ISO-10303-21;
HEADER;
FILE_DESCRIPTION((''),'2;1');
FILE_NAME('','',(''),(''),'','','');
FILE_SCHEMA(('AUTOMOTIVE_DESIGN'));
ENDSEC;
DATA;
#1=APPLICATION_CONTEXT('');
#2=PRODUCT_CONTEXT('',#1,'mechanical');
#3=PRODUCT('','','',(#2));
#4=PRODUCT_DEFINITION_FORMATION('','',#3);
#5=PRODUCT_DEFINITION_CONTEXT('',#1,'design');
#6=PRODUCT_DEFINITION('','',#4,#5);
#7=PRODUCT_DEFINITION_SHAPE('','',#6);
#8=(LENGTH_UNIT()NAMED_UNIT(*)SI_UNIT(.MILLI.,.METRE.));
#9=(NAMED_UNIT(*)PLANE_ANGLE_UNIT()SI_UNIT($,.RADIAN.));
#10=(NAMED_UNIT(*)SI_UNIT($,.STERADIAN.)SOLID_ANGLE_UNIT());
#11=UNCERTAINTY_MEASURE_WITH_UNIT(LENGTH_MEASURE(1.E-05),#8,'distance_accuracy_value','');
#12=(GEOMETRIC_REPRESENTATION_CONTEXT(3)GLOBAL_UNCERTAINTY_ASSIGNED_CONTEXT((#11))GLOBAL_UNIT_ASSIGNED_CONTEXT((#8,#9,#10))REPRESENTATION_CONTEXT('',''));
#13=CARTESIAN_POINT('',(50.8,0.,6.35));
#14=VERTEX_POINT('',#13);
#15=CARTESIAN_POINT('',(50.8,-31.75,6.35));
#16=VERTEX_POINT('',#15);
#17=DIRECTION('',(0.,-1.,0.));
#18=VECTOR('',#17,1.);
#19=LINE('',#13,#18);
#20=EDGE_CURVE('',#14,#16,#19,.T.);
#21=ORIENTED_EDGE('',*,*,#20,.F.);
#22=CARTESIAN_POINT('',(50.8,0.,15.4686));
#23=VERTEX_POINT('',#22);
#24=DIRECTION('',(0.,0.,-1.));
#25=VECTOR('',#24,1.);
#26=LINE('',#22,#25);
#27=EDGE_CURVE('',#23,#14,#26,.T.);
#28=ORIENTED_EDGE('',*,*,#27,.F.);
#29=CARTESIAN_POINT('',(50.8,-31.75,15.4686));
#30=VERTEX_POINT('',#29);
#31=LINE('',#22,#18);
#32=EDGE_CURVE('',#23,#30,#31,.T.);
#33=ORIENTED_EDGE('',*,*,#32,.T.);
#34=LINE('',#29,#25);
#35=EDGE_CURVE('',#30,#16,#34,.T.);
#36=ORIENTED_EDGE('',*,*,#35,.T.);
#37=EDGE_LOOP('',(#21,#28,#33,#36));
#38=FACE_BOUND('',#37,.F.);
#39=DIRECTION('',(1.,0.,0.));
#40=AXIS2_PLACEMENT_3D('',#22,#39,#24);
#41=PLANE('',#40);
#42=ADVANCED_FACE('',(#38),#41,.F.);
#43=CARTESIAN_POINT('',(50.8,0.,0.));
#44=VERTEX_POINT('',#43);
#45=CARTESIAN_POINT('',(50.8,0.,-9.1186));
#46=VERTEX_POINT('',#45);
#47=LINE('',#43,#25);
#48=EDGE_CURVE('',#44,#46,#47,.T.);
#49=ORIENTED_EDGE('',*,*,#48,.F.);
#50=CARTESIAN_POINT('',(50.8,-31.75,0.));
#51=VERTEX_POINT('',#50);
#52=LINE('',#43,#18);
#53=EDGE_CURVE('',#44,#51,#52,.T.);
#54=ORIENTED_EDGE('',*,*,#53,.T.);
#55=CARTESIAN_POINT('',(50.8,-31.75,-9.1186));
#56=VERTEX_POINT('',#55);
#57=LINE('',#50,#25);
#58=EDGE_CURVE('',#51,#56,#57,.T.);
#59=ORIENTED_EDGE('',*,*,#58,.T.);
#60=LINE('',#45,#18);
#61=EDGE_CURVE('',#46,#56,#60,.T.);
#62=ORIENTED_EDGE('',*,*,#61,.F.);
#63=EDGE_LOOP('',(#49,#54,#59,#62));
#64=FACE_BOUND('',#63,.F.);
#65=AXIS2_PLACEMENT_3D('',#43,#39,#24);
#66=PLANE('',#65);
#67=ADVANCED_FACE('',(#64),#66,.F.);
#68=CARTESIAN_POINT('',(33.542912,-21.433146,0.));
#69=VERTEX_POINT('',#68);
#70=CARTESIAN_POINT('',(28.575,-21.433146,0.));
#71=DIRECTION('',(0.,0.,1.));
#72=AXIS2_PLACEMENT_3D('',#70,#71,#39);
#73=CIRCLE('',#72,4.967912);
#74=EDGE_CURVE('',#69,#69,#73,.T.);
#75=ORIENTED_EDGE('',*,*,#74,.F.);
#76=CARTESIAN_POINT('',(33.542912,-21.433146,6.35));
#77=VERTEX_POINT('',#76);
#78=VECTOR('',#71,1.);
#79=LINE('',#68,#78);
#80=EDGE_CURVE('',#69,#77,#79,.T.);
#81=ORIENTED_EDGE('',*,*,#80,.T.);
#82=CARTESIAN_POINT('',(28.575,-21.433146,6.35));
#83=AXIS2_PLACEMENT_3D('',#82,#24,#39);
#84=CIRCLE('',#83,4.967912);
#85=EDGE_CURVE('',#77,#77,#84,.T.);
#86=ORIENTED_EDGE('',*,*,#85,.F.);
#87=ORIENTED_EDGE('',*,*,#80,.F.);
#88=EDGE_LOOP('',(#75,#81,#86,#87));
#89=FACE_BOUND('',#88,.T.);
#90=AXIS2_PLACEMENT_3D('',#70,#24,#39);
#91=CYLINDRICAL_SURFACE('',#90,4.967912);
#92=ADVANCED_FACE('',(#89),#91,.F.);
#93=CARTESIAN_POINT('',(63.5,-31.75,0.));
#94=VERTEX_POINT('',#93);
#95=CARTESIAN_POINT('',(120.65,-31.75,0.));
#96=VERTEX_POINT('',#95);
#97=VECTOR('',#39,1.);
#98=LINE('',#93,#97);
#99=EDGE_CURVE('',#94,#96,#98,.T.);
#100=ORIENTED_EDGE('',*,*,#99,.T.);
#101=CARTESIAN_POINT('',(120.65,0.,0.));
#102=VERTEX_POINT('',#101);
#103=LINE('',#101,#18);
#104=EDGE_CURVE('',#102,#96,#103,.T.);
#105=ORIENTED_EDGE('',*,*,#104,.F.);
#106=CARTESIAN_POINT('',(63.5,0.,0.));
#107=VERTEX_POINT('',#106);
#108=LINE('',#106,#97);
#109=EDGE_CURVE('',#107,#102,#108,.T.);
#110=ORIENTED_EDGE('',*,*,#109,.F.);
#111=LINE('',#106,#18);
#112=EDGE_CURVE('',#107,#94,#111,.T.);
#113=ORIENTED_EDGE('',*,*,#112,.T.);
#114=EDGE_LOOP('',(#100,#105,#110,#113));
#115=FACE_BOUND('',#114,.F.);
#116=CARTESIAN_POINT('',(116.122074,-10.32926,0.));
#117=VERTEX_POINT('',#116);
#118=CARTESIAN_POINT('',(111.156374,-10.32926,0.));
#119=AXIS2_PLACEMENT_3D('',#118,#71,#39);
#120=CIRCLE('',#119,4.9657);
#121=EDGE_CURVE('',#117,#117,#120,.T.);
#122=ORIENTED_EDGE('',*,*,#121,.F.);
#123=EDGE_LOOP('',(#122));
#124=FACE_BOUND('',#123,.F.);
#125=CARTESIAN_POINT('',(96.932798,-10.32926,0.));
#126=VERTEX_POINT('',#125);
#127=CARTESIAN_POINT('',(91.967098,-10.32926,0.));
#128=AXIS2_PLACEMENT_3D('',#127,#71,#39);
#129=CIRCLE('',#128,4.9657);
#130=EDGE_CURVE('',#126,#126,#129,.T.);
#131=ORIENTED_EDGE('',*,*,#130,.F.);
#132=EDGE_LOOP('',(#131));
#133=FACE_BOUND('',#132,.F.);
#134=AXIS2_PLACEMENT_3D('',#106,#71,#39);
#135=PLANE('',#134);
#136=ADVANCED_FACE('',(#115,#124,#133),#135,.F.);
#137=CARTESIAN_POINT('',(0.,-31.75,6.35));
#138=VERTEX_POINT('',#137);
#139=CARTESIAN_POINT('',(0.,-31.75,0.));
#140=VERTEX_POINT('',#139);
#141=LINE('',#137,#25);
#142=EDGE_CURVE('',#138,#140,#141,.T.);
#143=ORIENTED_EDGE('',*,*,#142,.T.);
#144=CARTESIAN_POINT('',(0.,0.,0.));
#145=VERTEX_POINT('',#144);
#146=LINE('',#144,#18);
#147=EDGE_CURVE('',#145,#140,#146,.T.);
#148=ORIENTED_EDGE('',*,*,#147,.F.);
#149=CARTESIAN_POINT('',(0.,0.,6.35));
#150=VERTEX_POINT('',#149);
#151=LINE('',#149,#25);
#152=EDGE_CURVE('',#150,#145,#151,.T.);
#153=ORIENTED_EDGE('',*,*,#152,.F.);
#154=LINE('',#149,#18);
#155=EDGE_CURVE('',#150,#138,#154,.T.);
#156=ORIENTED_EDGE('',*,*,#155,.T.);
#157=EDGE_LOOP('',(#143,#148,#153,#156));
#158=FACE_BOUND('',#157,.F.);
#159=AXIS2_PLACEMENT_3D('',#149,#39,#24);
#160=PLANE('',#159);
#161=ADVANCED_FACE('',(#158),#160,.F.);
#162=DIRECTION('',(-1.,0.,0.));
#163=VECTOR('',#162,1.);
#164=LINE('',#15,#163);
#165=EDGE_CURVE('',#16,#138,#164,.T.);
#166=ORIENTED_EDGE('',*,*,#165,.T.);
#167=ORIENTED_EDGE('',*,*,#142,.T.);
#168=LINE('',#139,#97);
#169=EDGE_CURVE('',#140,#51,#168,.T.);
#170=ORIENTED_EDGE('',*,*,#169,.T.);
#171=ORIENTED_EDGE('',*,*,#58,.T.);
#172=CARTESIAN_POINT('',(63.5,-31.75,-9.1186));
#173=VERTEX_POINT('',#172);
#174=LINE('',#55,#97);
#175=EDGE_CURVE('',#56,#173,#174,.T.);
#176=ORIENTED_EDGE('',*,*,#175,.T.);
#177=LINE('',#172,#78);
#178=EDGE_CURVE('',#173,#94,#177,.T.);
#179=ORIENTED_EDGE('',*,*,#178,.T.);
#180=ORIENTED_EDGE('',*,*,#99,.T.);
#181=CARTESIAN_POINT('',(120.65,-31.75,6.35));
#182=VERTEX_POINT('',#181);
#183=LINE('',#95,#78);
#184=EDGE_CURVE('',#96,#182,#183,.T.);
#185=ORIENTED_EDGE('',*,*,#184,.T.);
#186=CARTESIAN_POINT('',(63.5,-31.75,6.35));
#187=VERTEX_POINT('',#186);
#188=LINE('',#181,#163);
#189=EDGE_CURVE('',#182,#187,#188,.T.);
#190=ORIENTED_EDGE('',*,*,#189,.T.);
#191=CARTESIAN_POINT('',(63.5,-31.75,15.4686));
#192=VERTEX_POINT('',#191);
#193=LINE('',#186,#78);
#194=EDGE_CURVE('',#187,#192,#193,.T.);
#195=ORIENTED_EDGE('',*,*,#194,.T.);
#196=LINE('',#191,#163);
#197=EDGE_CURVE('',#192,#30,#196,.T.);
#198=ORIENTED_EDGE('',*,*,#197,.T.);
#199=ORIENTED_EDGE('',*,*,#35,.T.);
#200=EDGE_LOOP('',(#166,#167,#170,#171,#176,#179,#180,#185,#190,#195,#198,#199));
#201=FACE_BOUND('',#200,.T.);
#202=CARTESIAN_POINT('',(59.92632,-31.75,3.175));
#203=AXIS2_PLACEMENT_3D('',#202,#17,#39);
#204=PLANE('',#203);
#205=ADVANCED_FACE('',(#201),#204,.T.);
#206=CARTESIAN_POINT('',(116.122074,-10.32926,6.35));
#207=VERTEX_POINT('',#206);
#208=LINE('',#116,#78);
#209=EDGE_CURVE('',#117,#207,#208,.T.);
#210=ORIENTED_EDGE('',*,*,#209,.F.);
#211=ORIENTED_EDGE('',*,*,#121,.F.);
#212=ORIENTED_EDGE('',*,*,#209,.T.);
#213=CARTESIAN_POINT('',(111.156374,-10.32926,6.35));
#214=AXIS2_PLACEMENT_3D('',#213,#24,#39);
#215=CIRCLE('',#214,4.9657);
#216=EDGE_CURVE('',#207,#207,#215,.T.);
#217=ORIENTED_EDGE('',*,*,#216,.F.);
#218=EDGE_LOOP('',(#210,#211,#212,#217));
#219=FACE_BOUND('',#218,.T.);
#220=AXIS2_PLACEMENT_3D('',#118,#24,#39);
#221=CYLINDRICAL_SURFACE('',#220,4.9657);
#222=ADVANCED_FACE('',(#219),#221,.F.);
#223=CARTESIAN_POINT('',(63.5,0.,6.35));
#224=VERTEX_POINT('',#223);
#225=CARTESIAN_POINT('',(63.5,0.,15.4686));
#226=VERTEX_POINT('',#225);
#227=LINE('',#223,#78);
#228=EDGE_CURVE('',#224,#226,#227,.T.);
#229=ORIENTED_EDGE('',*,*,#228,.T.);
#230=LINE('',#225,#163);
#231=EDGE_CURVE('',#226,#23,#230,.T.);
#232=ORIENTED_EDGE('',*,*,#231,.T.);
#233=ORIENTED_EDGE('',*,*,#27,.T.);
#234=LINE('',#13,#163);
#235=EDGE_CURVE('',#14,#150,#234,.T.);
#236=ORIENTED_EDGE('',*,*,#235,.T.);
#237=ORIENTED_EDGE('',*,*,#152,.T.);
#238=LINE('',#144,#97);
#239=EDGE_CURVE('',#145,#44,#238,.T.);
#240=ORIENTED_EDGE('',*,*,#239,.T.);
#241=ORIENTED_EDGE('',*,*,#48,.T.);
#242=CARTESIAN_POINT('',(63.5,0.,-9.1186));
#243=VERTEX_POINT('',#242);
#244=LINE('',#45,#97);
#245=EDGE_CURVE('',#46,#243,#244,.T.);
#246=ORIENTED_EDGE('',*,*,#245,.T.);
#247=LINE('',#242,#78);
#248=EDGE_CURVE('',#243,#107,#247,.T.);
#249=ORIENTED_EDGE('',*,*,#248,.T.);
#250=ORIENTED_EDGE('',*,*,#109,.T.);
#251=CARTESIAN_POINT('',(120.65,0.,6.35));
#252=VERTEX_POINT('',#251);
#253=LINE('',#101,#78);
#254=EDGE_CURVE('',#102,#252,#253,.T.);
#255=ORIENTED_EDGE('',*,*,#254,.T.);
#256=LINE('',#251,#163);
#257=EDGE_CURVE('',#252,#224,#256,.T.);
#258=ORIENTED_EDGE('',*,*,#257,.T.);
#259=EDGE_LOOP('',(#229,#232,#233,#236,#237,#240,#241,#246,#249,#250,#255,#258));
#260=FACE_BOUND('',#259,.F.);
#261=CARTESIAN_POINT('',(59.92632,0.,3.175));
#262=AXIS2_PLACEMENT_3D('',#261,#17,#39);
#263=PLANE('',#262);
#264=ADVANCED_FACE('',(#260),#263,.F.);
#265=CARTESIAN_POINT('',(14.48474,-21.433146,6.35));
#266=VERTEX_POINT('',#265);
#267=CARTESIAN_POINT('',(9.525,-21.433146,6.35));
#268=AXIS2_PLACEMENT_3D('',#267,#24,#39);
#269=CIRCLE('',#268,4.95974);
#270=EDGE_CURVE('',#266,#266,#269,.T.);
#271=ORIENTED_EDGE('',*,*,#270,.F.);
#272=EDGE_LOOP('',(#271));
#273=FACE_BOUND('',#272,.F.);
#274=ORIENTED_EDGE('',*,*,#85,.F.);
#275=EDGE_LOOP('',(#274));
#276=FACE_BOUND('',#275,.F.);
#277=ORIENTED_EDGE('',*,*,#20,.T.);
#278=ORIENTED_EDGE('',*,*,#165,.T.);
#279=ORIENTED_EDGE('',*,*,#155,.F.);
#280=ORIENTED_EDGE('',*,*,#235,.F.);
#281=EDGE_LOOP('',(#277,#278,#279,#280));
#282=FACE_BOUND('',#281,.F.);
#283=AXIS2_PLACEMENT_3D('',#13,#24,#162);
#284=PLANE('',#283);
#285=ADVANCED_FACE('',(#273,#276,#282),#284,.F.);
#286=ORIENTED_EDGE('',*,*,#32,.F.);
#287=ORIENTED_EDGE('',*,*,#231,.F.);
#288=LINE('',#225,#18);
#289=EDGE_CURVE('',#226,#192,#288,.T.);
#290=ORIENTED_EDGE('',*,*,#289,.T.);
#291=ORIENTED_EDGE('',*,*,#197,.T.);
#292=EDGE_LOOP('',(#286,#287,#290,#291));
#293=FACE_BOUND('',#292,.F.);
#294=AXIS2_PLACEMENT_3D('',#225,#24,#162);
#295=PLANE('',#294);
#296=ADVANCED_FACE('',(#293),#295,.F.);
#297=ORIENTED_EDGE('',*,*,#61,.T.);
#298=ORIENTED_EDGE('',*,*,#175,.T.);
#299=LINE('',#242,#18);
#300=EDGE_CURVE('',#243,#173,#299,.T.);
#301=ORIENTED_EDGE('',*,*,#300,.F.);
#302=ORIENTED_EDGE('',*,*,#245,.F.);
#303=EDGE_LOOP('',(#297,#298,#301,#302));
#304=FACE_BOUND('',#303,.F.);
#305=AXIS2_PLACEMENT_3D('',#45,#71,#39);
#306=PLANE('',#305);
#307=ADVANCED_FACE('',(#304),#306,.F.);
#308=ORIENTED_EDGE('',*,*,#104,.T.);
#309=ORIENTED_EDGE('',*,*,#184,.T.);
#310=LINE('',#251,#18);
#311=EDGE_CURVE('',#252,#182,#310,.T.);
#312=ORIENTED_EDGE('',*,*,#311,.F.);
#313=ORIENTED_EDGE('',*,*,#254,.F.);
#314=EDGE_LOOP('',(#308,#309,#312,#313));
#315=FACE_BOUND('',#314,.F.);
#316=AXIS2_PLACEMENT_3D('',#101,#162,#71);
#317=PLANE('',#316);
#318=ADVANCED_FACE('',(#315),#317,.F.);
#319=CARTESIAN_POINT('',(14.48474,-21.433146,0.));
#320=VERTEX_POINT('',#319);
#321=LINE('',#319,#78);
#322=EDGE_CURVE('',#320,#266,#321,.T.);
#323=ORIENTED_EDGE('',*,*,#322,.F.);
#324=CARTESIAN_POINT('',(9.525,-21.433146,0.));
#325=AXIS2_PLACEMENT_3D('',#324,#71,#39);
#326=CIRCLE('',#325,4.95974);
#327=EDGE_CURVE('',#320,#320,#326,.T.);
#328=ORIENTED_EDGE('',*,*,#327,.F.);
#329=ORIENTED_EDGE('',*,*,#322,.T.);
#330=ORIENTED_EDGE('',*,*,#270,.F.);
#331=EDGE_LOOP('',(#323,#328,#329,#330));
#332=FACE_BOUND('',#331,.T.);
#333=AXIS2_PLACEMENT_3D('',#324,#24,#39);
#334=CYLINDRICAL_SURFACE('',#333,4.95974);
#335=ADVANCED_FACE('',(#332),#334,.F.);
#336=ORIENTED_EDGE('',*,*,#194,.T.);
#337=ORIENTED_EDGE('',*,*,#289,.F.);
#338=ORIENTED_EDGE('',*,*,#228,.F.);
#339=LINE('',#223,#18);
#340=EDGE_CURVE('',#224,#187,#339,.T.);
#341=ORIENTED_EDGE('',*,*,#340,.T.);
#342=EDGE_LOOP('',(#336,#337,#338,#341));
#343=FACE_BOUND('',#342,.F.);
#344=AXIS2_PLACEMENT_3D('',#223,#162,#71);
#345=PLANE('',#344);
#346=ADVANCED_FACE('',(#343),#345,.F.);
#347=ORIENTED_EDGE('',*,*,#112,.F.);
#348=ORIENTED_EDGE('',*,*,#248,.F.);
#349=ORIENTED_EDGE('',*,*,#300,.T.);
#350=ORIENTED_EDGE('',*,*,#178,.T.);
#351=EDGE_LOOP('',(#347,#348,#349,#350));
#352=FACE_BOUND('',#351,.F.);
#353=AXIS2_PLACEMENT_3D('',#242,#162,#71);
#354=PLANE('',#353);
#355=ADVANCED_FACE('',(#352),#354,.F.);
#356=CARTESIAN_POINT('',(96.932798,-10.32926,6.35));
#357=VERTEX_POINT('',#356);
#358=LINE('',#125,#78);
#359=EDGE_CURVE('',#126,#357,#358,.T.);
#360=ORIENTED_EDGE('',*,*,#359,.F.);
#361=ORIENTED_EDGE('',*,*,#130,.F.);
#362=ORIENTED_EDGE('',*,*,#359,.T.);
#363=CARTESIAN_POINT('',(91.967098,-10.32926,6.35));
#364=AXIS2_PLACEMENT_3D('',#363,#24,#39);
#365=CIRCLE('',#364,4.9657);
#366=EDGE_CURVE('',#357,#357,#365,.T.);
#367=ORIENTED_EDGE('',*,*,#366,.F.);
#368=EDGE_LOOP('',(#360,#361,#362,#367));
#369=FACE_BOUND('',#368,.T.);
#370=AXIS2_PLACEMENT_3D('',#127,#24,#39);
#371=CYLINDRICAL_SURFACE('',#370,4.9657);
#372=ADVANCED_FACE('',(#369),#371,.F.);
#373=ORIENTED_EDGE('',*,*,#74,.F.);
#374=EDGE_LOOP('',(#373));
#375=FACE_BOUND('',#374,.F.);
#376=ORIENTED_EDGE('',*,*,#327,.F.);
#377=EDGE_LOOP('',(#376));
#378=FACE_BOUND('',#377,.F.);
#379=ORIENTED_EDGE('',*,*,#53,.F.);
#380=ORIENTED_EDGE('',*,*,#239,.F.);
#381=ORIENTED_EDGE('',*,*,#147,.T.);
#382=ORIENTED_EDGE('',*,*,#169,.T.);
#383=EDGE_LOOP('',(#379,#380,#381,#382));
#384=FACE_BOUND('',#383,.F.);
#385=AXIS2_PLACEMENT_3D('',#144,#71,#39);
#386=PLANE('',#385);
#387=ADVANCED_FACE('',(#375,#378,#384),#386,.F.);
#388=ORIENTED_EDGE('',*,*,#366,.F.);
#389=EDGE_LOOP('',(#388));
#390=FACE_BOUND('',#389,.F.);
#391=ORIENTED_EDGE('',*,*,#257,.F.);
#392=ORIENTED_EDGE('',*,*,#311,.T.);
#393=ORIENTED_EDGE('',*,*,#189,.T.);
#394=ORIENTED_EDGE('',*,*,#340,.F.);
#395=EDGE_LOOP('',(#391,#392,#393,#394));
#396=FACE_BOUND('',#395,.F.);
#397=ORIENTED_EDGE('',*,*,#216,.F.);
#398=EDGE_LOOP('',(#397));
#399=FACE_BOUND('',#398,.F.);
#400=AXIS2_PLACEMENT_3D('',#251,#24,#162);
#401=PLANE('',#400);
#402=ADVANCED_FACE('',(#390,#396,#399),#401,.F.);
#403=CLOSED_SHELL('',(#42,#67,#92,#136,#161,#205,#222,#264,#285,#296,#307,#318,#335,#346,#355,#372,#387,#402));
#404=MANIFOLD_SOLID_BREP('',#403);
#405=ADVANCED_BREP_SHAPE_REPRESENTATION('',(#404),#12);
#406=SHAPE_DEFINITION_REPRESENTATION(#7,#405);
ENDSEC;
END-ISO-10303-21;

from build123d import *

# Parameters (mm, degrees)
F1_DEPTH  = 31.75
F1_FACE_W = 57.15
F1_FACE_H = 31.75
F2_R      = 4.95974
F2_R_2    = 4.967912
F2_R_3    = 4.9657
F3_DEPTH  = 25.4


with BuildPart() as f1:
    # F0 (on Front) → F1 (new body)
    with BuildSketch(Plane.XZ):
        Polygon((0, 6.35), (0, 0), (50.8, 0), (50.8, -9.1186), (63.5, -9.1186), (63.5, 0), (120.65, 0), (120.65, 6.35), (63.5, 6.35), (63.5, 15.4686), (50.8, 15.4686), (50.8, 6.35), align=None)
    extrude(amount=F1_DEPTH)

    # F1_face (on face) + F2 (on Top) → F3 (cut)
    with BuildSketch(Plane(origin=(92.075, -15.875, 6.35), x_dir=(1, 0, 0), z_dir=(0, 0, 1))):
        Rectangle(F1_FACE_W, F1_FACE_H)
    with BuildSketch(Plane.XY):
        with Locations((9.525, -21.433146)):
            Circle(F2_R)
        with Locations((28.575, -21.433146)):
            Circle(F2_R_2)
        with Locations((91.967098, -10.32926)):
            Circle(F2_R_3)
        with Locations((111.156374, -10.32926)):
            Circle(F2_R_3)
    extrude(amount=F3_DEPTH, mode=Mode.SUBTRACT)


solid = f1.part
